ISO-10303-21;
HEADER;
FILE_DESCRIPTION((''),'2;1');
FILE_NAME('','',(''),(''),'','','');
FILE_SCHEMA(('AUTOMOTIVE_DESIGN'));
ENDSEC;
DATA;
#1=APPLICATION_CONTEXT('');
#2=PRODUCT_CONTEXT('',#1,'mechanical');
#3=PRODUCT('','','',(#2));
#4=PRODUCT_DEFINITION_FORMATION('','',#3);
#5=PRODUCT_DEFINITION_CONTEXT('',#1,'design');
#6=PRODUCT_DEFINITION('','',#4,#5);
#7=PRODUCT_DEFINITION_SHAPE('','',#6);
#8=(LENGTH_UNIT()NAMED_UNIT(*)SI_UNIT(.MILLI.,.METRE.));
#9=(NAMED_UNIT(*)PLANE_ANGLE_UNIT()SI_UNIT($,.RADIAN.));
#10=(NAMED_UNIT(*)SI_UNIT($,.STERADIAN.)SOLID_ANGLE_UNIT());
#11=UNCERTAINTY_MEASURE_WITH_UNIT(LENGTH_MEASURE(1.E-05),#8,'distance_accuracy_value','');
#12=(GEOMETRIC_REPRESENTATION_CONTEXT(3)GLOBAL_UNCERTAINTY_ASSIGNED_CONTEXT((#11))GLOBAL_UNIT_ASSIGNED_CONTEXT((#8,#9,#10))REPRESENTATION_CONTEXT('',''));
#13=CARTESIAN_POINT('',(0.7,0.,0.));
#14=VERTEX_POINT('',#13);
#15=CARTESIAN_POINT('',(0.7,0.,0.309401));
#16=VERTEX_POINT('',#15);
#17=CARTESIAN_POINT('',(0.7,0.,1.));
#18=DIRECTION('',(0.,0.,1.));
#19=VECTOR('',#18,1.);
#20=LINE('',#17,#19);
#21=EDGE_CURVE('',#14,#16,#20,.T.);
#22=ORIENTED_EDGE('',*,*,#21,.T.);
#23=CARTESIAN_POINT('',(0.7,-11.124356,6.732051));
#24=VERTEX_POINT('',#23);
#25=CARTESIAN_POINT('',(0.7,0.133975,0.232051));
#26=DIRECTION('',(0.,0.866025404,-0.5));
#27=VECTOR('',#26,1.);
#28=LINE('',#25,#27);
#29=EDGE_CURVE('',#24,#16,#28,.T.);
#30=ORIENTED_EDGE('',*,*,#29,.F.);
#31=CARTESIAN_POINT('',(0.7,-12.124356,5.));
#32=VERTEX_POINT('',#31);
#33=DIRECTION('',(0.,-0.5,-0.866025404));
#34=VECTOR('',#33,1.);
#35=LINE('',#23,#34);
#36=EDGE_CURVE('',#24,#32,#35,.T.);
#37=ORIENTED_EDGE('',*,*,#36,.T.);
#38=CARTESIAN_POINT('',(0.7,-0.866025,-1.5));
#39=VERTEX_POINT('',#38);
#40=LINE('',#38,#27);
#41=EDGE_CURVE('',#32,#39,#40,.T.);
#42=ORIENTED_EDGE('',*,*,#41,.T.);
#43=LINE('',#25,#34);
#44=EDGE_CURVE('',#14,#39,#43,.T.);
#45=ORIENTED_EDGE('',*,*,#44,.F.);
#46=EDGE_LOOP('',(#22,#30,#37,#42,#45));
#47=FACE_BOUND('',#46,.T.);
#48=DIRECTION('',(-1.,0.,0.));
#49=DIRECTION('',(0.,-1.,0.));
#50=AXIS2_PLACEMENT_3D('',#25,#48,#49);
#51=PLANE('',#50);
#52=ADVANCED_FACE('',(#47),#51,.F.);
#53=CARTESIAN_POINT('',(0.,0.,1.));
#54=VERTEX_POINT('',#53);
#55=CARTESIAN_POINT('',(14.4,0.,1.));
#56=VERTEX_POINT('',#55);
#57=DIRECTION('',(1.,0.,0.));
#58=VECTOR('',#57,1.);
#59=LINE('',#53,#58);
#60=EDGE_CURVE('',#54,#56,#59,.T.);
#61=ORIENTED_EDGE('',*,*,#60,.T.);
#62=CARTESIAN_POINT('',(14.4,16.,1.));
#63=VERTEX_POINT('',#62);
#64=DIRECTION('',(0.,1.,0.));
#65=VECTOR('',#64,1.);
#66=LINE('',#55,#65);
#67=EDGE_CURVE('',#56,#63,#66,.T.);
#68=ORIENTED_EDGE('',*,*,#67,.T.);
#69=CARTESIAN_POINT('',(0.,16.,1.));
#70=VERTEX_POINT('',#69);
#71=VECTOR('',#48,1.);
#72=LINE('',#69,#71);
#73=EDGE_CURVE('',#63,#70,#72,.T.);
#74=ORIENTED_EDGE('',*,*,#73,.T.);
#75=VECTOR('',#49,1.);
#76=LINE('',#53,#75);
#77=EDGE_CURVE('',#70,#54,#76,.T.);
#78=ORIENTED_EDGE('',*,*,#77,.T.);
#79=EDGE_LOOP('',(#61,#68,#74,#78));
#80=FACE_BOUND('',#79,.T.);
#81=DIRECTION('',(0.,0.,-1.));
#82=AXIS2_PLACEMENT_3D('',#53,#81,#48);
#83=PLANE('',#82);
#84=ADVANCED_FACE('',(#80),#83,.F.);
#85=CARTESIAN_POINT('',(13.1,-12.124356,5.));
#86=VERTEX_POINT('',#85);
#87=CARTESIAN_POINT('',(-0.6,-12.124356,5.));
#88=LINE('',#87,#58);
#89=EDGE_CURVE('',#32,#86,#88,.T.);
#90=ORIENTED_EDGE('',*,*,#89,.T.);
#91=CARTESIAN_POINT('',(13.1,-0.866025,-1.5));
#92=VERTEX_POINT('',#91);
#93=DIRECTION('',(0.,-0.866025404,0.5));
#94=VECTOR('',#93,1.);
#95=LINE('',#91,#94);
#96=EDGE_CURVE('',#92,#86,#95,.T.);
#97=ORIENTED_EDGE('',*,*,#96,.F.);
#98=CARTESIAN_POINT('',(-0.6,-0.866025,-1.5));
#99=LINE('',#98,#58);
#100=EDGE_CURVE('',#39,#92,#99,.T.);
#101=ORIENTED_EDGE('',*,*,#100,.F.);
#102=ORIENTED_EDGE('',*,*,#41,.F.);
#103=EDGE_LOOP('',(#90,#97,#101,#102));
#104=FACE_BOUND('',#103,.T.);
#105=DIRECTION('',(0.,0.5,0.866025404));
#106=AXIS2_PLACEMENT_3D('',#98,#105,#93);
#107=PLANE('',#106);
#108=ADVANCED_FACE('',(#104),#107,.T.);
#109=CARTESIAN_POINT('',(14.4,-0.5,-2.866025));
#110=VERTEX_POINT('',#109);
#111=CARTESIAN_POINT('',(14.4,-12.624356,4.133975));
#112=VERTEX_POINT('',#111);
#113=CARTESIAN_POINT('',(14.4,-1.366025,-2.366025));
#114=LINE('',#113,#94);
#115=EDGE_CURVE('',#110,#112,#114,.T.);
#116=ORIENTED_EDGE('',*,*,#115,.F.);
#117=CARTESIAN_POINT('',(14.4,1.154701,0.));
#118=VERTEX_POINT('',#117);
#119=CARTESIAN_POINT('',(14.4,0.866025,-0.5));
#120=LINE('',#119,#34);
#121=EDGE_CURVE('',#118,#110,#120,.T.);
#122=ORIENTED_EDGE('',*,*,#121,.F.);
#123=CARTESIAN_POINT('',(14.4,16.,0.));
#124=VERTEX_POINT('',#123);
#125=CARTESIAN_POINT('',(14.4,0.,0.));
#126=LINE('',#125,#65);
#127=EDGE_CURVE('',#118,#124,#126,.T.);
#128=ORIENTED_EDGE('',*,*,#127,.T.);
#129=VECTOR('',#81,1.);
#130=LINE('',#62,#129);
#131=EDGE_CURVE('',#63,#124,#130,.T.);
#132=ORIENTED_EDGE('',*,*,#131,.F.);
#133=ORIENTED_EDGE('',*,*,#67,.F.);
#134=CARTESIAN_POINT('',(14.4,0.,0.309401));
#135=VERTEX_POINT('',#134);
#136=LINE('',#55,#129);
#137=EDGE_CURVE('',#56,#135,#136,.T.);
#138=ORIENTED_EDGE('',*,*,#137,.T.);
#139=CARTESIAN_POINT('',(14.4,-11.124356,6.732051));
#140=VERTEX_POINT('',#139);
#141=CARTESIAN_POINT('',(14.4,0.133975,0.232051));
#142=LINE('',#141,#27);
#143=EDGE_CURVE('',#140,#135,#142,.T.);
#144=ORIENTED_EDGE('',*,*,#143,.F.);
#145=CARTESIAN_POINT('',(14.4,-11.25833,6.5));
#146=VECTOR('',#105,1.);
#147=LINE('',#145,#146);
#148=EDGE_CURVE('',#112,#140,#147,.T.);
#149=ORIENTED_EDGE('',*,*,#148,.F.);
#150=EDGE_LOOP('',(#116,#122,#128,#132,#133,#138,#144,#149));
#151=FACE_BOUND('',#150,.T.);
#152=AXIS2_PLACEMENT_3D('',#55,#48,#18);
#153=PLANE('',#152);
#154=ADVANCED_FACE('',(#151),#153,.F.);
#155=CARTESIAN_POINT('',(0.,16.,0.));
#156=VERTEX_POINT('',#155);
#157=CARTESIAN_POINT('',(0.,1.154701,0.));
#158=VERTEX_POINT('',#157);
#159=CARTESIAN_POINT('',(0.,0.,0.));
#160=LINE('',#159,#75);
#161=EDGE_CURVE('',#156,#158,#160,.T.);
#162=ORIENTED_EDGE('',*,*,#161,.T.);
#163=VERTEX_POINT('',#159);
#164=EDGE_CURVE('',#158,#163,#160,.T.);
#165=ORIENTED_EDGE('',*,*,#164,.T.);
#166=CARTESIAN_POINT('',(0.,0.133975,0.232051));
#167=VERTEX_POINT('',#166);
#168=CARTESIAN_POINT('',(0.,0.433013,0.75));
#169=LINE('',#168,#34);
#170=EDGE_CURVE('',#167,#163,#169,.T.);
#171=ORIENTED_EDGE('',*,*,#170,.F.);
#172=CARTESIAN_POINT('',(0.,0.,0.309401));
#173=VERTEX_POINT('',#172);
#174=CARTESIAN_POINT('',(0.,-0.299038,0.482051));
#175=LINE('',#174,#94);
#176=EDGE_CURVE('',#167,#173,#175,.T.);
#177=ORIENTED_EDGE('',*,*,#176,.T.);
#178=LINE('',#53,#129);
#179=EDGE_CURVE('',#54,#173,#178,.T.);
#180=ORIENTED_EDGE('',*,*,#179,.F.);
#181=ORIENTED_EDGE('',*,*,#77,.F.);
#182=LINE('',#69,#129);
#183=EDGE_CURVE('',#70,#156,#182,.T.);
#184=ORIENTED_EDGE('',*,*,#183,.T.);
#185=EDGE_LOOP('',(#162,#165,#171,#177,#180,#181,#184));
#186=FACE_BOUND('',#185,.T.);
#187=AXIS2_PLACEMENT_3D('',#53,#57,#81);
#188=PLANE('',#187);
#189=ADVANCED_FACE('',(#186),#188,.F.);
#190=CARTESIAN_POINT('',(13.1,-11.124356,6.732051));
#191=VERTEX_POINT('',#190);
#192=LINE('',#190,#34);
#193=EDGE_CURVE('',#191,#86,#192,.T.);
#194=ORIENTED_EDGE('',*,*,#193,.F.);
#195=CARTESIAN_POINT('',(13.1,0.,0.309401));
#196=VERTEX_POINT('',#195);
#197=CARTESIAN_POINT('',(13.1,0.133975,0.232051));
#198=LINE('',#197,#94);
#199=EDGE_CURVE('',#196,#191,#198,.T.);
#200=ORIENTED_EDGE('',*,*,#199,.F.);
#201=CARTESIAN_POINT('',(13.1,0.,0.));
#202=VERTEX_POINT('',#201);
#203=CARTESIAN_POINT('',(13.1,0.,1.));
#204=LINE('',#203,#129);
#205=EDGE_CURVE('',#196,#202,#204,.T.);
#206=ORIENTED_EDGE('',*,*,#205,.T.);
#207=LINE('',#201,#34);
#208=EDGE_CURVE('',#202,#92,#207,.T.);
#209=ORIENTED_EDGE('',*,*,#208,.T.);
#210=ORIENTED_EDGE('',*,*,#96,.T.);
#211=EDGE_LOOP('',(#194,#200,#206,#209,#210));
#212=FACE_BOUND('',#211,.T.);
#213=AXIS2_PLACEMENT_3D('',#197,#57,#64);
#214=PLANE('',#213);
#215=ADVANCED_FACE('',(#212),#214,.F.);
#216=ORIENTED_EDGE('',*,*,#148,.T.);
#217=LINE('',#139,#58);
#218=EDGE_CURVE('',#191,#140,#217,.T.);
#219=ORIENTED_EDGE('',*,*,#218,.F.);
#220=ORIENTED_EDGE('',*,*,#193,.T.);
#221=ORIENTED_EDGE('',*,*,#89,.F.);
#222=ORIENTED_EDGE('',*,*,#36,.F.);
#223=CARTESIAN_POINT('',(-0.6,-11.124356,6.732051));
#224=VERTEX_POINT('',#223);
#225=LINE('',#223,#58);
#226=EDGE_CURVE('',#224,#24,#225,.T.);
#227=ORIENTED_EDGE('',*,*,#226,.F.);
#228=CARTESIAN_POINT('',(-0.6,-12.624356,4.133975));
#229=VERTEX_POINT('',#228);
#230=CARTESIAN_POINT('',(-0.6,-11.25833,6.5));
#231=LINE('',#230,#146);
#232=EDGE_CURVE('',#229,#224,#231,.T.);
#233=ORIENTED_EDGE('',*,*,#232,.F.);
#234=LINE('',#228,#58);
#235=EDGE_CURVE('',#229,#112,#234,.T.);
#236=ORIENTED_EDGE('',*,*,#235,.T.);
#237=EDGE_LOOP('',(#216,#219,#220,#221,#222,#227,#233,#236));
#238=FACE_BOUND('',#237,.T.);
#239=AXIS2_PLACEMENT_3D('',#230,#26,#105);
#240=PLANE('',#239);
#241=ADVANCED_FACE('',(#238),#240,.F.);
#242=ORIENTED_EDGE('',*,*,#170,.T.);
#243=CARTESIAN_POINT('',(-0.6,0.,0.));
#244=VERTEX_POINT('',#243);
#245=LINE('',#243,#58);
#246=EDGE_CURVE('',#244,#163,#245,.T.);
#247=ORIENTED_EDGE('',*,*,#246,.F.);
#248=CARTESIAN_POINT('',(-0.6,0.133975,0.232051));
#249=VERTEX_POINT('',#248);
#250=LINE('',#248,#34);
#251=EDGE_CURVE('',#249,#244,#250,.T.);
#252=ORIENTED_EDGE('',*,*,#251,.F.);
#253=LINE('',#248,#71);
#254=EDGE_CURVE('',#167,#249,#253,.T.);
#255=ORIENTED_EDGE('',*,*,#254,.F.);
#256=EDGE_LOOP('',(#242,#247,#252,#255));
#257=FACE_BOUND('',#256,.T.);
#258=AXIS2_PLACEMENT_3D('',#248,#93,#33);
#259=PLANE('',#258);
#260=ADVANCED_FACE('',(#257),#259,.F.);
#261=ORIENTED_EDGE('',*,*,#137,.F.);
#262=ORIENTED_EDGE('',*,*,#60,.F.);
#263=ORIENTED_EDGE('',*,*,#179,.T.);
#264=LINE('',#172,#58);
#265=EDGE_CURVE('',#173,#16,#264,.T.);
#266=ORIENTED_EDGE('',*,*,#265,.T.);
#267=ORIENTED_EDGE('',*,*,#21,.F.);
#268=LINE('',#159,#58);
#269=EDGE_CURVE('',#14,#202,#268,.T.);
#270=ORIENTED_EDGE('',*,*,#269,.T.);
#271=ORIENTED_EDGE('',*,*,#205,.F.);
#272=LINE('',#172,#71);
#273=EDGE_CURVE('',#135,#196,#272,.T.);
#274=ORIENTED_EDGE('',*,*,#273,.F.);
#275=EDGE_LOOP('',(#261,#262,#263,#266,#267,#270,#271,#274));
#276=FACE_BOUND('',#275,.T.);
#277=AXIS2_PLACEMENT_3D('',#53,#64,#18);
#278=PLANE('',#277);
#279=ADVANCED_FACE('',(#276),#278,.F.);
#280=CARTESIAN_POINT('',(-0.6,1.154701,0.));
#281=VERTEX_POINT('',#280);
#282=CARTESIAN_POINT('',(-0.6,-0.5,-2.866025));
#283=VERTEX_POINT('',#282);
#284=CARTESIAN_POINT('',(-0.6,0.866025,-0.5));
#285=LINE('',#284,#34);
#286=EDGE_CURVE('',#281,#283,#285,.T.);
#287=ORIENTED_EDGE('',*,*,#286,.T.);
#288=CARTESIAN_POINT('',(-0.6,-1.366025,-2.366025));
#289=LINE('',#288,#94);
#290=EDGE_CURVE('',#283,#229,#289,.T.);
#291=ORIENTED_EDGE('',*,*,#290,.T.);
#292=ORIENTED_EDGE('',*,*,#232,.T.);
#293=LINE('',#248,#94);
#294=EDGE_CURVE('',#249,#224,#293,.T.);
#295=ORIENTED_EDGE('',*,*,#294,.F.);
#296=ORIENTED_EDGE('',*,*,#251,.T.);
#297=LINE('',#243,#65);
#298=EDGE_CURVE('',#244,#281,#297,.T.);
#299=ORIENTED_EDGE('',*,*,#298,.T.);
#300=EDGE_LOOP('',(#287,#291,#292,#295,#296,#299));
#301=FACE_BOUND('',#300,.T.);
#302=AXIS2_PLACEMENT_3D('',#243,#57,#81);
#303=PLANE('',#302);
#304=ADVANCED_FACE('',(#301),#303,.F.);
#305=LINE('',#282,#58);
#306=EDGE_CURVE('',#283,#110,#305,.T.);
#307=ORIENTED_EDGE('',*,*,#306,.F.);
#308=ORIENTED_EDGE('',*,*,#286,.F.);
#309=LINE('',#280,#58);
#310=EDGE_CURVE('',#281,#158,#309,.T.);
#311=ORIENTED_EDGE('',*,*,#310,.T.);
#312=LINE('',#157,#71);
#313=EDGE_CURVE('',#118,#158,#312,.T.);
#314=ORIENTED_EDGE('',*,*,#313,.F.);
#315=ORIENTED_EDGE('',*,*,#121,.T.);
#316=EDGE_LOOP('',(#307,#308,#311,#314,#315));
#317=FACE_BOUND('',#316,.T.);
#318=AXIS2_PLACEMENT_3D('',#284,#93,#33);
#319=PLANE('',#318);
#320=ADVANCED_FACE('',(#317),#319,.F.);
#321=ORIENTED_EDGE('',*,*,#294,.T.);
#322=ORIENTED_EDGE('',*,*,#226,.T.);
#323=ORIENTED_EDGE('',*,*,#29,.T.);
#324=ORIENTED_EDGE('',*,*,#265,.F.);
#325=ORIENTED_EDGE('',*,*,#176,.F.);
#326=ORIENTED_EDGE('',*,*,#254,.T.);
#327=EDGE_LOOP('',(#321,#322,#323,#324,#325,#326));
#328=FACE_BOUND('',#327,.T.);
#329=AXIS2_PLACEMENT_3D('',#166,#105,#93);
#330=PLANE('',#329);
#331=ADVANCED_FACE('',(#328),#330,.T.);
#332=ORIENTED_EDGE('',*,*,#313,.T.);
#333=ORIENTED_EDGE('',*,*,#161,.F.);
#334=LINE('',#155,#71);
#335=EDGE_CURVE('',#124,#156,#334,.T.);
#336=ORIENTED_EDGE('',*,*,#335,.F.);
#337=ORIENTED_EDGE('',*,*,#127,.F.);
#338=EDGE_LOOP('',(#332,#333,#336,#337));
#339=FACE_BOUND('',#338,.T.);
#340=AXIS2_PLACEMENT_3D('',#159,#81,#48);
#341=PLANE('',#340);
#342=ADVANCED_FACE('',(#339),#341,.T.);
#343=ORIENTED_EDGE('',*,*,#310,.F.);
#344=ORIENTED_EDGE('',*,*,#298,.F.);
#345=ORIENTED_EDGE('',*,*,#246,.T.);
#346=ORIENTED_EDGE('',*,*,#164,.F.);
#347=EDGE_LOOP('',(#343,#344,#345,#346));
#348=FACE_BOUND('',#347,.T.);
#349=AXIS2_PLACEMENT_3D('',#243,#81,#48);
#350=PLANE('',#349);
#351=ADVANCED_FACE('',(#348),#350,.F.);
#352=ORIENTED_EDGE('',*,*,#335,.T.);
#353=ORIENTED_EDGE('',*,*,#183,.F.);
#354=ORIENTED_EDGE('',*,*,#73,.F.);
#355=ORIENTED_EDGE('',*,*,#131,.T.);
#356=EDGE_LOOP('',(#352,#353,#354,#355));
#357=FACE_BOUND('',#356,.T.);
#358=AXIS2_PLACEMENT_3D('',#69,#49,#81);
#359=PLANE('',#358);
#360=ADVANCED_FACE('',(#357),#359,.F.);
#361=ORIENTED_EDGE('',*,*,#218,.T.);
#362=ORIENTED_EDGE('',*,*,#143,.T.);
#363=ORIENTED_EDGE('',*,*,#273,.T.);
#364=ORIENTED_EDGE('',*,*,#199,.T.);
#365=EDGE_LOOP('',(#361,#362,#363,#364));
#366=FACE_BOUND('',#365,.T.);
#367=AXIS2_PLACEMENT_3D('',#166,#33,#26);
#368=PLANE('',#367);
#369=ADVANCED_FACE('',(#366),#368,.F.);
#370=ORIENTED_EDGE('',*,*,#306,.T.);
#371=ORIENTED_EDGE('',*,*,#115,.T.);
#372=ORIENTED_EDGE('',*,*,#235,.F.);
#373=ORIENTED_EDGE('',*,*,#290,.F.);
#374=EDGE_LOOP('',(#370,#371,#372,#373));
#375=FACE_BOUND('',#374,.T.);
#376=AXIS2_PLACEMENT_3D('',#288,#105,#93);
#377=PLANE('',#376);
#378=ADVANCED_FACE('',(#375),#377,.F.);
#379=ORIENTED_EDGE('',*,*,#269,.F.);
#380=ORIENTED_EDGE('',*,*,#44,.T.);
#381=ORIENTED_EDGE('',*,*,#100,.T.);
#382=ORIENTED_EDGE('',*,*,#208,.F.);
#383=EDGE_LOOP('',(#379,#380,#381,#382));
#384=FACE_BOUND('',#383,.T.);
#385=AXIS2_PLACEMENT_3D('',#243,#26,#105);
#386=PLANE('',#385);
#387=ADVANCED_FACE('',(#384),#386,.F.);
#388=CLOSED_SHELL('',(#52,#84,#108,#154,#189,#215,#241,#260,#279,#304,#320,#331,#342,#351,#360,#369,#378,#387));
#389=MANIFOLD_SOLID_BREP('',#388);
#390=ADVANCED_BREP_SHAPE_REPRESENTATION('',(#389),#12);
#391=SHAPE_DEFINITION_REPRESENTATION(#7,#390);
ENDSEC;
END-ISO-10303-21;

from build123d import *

# Parameters (mm, degrees)
SKIZZE1_W                       = 14.4
SKIZZE1_H                       = 16
AUFSATZ_LINEAR_AUSTRAGEN1_DEPTH = 1
AUFSATZ_LINEAR_AUSTRAGEN4_DEPTH = 15
SKIZZE9_W                       = 1.3
SKIZZE9_H                       = 13
AUFSATZ_LINEAR_AUSTRAGEN5_DEPTH = 2


with BuildPart() as part:
    # Skizze1 → Aufsatz-Linear austragen1 (new body)
    with BuildSketch(Plane.XY):
        with Locations((7.2, 8)):
            Rectangle(SKIZZE1_W, SKIZZE1_H)
    extrude(amount=AUFSATZ_LINEAR_AUSTRAGEN1_DEPTH)

    # Skizze4 → Aufsatz-Linear austragen4 (add)
    with BuildSketch(Plane(origin=(14.4, 0, 0), x_dir=(0, 0, -1), z_dir=(1, 0, 0))):
        Polygon((0, 1.154700538), (0, 0), (1.5, -0.866025404), (-5, -12.124355653), (-4.133974596, -12.624355653), (2.866025404, -0.5), align=None)
    extrude(amount=-AUFSATZ_LINEAR_AUSTRAGEN4_DEPTH)

    # Skizze9 → Aufsatz-Linear austragen5 (add)
    with BuildSketch(Plane(origin=(0, -0.866025404, -1.5), x_dir=(1, 0, 0), z_dir=(0, 0.49999999999999484, 0.8660254037844418))):
        with Locations((13.75, -6.5)):
            Rectangle(SKIZZE9_W, SKIZZE9_H)
        with Locations((0.05, -6.5)):
            Rectangle(SKIZZE9_W, SKIZZE9_H)
    extrude(amount=AUFSATZ_LINEAR_AUSTRAGEN5_DEPTH)


solid = part.part
